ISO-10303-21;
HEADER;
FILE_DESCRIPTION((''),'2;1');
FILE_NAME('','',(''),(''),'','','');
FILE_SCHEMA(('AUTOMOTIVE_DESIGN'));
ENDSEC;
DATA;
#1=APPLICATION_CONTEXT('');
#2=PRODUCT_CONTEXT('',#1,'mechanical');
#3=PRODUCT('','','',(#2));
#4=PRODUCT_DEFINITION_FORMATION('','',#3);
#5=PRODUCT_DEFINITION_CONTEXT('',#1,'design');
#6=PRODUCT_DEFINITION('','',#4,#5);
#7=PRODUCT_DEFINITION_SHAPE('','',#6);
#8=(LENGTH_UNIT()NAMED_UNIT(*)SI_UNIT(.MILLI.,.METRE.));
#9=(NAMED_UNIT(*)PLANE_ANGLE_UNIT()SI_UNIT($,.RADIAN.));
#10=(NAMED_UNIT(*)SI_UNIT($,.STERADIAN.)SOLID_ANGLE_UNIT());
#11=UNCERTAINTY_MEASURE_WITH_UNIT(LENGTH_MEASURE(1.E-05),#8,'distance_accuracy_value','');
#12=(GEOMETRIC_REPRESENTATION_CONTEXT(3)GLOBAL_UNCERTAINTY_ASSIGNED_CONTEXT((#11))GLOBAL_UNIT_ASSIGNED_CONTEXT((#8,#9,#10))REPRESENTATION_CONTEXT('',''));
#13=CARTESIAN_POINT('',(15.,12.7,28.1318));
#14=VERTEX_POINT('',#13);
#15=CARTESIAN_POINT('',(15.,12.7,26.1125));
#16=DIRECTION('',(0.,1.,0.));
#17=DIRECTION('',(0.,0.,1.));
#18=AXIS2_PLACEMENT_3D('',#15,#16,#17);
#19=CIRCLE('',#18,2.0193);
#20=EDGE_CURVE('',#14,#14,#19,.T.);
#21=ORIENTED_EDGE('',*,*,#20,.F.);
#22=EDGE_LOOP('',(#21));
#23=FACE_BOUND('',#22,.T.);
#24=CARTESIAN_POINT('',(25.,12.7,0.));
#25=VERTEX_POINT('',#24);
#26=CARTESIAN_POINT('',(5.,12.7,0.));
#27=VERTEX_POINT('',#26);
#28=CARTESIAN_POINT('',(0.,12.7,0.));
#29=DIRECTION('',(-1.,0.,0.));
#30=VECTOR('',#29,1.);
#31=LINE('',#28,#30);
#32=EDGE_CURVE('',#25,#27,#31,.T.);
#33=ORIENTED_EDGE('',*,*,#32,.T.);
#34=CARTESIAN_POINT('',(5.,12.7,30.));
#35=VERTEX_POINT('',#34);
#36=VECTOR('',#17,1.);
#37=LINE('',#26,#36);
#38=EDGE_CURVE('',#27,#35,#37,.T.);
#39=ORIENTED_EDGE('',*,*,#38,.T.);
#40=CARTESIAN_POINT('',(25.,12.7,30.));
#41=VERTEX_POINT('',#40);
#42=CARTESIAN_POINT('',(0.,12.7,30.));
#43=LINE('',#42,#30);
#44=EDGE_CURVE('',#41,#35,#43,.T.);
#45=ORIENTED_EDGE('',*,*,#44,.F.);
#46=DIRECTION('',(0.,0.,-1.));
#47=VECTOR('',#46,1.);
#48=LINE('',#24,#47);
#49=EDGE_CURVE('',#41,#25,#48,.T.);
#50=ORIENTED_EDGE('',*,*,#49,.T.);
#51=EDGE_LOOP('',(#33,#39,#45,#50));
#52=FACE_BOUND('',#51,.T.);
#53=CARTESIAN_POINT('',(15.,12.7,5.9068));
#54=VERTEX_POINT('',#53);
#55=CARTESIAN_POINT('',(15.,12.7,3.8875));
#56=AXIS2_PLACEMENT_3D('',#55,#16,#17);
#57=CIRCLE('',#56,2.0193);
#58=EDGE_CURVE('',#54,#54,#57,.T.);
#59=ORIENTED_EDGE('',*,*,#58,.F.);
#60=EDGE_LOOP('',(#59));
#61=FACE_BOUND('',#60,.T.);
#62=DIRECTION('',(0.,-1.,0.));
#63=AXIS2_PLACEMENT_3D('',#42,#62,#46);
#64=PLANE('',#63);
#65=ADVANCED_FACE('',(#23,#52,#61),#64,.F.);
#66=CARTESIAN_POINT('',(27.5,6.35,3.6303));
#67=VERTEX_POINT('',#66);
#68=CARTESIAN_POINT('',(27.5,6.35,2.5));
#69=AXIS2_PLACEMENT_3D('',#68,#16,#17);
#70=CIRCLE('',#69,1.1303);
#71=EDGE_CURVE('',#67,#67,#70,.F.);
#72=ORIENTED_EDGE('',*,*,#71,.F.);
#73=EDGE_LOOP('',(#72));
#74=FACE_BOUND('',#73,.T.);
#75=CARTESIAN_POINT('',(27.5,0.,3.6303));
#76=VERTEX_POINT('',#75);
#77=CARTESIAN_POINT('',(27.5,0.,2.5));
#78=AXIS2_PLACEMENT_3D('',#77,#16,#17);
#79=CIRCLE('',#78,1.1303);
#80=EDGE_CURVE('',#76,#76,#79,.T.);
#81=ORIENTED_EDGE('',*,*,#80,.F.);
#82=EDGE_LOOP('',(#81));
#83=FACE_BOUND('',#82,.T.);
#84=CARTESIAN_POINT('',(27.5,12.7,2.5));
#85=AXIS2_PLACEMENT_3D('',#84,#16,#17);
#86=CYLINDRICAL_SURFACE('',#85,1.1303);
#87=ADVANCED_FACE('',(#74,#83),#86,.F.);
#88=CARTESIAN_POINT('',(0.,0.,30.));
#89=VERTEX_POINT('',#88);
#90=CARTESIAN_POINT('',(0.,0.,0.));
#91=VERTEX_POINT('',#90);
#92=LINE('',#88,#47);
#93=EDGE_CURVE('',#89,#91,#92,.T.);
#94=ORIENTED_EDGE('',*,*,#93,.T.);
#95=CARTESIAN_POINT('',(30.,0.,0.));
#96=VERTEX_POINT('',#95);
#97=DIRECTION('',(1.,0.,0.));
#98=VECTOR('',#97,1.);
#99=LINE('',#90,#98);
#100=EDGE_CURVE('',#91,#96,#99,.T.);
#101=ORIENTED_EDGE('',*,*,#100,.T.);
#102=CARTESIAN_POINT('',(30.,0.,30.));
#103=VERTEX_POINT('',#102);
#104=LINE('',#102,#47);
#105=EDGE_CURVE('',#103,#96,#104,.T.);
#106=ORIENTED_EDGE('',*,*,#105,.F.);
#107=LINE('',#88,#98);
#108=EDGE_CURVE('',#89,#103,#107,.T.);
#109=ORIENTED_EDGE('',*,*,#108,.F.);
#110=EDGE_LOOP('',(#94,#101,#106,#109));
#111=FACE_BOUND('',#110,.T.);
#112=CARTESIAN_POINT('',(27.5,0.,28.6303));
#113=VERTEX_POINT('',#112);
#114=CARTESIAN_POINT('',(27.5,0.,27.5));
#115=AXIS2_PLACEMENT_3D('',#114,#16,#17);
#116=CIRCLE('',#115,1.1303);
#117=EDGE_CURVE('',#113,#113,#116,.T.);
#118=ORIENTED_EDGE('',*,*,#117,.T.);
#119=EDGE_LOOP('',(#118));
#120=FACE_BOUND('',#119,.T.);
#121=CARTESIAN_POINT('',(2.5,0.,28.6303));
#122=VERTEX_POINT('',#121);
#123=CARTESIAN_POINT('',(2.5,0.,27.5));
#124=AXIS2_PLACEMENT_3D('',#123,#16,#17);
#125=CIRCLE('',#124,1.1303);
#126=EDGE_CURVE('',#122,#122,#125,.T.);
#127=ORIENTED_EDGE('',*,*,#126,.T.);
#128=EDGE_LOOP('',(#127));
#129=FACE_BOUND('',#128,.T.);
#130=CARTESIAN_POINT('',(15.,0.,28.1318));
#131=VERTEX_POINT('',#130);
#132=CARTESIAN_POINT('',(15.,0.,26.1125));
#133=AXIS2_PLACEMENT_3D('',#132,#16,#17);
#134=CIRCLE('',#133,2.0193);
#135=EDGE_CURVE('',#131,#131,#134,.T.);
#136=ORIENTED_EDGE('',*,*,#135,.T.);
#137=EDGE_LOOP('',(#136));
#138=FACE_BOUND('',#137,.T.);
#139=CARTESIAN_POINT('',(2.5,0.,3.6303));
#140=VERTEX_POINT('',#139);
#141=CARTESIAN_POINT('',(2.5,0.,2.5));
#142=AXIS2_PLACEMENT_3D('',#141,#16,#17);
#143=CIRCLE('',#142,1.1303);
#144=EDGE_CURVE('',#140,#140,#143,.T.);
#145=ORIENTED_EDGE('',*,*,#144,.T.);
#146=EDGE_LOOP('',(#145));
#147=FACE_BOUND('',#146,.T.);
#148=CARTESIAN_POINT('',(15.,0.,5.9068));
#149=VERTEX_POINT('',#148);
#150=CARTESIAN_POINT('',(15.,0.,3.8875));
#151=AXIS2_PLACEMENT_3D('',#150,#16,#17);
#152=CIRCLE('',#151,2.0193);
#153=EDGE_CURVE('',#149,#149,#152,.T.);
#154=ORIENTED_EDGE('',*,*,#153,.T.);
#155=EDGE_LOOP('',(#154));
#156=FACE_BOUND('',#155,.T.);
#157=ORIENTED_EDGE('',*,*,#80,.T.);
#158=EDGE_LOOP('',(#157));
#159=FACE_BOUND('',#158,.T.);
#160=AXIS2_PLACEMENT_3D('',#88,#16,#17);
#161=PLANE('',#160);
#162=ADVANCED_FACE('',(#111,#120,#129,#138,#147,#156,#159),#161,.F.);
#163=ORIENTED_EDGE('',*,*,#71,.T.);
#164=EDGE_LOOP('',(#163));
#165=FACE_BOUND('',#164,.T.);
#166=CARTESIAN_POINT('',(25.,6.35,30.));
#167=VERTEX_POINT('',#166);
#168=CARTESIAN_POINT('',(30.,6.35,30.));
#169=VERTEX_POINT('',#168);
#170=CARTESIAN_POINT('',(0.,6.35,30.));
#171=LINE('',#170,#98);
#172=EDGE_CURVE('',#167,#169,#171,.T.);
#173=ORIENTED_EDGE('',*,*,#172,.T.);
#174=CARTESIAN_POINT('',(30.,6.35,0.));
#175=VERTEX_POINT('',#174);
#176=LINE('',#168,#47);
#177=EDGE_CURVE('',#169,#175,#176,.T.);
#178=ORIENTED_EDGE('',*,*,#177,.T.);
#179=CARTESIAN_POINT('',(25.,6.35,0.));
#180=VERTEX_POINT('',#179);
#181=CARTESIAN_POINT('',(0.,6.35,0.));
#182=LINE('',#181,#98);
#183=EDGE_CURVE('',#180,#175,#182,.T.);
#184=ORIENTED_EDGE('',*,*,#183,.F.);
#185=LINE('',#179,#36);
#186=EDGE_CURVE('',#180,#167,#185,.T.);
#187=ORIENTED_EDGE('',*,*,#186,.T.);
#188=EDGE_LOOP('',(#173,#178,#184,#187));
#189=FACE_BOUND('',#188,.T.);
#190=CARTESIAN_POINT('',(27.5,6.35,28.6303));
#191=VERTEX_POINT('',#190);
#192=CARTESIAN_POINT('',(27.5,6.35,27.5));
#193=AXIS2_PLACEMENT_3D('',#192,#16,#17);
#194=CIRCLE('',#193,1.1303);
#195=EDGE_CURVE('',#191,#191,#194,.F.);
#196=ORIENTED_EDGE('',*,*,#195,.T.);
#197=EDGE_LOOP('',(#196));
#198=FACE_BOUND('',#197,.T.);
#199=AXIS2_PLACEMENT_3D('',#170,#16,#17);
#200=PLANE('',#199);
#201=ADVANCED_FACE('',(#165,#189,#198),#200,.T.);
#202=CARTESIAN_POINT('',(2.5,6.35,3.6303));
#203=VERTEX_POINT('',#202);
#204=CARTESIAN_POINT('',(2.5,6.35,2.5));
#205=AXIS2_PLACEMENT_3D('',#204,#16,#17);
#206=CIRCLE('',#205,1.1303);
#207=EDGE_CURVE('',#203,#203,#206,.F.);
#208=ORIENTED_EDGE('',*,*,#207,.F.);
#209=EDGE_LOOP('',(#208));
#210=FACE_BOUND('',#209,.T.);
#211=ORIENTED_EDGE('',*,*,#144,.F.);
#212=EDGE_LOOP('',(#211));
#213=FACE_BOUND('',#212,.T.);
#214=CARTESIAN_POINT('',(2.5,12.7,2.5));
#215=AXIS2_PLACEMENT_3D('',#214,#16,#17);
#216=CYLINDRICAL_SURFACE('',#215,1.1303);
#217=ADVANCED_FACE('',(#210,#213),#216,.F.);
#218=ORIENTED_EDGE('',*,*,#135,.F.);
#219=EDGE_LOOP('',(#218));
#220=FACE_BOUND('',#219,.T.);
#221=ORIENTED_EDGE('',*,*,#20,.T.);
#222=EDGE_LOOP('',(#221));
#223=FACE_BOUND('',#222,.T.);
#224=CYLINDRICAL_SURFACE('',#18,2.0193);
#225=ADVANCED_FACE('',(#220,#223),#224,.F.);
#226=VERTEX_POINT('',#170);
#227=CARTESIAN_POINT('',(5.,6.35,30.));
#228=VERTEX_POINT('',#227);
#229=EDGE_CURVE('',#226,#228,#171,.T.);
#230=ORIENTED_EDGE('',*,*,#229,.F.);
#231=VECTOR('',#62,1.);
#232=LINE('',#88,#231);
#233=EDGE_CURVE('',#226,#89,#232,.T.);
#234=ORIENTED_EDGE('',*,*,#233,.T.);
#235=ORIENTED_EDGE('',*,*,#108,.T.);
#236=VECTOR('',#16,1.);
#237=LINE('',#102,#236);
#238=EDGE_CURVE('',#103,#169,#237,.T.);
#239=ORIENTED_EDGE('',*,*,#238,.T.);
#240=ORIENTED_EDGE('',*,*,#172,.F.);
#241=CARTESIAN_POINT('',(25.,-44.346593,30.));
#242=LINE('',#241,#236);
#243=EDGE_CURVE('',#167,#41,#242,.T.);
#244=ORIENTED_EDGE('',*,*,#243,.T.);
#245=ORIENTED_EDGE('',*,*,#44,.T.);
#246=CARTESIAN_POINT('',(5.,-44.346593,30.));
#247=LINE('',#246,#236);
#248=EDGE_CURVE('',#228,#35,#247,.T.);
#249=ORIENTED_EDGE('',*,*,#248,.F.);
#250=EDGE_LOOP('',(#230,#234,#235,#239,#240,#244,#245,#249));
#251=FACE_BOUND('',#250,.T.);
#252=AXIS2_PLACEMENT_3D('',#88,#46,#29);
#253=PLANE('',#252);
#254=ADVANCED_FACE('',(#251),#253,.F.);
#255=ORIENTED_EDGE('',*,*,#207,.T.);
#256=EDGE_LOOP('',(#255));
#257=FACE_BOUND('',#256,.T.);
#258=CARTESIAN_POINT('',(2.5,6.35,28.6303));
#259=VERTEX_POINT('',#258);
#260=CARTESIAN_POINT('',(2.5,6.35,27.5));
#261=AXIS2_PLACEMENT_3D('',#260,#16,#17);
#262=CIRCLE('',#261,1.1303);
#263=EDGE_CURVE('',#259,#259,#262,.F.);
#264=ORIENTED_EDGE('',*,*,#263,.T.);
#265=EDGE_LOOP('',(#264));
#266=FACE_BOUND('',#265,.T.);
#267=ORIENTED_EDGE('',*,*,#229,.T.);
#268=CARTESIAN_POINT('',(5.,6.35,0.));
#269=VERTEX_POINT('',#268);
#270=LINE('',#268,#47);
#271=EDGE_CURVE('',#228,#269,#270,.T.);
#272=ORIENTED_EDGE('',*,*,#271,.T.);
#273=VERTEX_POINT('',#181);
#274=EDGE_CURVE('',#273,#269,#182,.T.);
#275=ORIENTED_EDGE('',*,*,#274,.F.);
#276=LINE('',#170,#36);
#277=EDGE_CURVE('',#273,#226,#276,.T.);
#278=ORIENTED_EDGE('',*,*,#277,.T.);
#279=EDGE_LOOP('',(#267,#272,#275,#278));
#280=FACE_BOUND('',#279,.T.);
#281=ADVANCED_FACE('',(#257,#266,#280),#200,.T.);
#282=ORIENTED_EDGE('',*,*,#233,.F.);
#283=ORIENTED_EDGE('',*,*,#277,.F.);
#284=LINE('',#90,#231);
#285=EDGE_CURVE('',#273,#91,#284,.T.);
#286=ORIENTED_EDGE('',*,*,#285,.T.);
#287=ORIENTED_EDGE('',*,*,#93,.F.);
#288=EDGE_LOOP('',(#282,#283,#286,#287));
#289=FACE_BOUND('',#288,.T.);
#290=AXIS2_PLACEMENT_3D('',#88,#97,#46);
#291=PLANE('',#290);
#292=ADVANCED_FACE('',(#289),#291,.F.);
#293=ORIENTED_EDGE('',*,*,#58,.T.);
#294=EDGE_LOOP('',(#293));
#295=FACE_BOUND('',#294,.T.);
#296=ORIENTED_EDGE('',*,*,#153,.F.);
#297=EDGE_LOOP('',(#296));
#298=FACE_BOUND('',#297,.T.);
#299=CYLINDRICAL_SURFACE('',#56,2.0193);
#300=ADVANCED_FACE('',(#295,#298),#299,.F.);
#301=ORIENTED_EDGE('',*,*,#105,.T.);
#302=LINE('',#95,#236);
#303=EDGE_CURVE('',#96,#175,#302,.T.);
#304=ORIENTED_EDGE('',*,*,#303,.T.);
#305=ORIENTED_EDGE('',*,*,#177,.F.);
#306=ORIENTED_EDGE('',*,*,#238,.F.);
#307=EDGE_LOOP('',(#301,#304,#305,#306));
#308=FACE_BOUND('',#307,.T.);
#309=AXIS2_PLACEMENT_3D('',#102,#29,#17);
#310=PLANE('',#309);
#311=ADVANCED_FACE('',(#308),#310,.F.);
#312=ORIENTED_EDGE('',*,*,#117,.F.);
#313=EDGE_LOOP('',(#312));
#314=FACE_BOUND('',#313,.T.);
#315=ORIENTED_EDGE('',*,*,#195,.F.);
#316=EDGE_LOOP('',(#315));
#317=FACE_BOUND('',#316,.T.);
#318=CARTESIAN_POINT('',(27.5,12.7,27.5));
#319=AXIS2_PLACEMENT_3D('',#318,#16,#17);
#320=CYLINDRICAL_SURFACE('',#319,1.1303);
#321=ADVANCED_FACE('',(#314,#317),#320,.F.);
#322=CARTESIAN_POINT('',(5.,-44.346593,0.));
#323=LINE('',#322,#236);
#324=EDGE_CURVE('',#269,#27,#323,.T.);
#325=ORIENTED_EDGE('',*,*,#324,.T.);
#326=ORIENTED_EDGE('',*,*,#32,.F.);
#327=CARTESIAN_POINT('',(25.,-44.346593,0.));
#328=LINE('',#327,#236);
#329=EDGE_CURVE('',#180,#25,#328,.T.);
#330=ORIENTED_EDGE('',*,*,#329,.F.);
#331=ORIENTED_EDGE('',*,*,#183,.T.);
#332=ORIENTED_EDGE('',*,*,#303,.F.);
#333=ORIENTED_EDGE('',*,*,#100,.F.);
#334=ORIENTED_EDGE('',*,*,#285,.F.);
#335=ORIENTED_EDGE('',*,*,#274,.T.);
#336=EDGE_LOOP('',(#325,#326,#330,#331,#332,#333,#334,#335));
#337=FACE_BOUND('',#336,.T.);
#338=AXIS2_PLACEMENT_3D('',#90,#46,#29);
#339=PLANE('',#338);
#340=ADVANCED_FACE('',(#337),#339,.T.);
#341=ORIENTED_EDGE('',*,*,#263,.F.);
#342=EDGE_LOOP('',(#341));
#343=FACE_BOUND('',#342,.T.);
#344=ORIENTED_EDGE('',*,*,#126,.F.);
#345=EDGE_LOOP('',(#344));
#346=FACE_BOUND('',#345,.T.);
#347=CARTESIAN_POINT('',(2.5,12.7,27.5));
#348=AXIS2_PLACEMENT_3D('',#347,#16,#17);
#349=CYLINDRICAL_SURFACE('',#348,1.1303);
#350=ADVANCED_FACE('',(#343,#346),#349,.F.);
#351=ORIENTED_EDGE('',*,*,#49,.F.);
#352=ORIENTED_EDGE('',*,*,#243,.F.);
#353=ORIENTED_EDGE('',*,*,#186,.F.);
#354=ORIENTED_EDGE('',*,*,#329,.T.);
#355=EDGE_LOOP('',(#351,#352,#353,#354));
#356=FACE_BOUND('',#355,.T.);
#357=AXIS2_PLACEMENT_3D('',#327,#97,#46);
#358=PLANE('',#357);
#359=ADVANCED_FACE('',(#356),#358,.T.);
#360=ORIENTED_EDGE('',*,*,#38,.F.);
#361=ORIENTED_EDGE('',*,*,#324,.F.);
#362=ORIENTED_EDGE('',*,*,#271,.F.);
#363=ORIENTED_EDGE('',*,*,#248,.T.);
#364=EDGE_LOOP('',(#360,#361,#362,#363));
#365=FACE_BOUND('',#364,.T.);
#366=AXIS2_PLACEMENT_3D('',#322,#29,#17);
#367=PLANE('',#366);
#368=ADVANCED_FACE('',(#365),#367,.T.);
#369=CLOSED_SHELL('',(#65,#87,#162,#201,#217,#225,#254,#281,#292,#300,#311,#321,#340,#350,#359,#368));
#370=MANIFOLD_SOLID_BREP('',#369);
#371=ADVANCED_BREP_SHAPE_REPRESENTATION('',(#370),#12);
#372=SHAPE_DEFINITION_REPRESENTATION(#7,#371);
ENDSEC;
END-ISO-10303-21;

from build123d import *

# Parameters (mm, degrees)
SKETCH1_W              = 30
SKETCH1_H              = 12.7
BOSS_EXTRUDE1_DEPTH    = 30
F_2_CLEARANCE_HOLE1_D  = 2.2606
SKETCH4_OUTSIDE_W      = 40.858
SKETCH4_OUTSIDE_H      = 40.858
SKETCH4_OUTSIDE_W_2    = 20
SKETCH4_OUTSIDE_H_2    = 30
CUT_EXTRUDE1_DEPTH     = 6.35
F_10_32_TAPPED_HOLE1_D = 4.0386


with BuildPart() as part:
    # Sketch1 → Boss-Extrude1 (new body)
    with BuildSketch(Plane.XY):
        with Locations((15, 6.35)):
            Rectangle(SKETCH1_W, SKETCH1_H)
    extrude(amount=BOSS_EXTRUDE1_DEPTH)

    # #2 Clearance Hole1 (through all)
    with Locations(Plane(origin=(0, 12.7, 0), x_dir=(1, 0, 0), z_dir=(0, 1, 0))):
        with Locations((2.5, -2.5), (27.5, -2.5), (27.5, -27.5), (2.5, -27.5)):
            Hole(F_2_CLEARANCE_HOLE1_D / 2)

    # Sketch4 outside → Cut-Extrude1 (cut)
    with BuildSketch(Plane(origin=(0, 12.7, 0), x_dir=(1, 0, 0), z_dir=(0, 1, 0))):
        with Locations((15, -15)):
            Rectangle(SKETCH4_OUTSIDE_W, SKETCH4_OUTSIDE_H)
        with Locations((15, -15)):
            Rectangle(SKETCH4_OUTSIDE_W_2, SKETCH4_OUTSIDE_H_2, mode=Mode.SUBTRACT)
    extrude(amount=-CUT_EXTRUDE1_DEPTH, mode=Mode.SUBTRACT)

    # #10-32 Tapped Hole1 (through all)
    with Locations(Plane(origin=(0, 12.7, 0), x_dir=(1, 0, 0), z_dir=(0, 1, 0))):
        with Locations((15, -3.8875), (15, -26.1125)):
            Hole(F_10_32_TAPPED_HOLE1_D / 2)


solid = part.part
